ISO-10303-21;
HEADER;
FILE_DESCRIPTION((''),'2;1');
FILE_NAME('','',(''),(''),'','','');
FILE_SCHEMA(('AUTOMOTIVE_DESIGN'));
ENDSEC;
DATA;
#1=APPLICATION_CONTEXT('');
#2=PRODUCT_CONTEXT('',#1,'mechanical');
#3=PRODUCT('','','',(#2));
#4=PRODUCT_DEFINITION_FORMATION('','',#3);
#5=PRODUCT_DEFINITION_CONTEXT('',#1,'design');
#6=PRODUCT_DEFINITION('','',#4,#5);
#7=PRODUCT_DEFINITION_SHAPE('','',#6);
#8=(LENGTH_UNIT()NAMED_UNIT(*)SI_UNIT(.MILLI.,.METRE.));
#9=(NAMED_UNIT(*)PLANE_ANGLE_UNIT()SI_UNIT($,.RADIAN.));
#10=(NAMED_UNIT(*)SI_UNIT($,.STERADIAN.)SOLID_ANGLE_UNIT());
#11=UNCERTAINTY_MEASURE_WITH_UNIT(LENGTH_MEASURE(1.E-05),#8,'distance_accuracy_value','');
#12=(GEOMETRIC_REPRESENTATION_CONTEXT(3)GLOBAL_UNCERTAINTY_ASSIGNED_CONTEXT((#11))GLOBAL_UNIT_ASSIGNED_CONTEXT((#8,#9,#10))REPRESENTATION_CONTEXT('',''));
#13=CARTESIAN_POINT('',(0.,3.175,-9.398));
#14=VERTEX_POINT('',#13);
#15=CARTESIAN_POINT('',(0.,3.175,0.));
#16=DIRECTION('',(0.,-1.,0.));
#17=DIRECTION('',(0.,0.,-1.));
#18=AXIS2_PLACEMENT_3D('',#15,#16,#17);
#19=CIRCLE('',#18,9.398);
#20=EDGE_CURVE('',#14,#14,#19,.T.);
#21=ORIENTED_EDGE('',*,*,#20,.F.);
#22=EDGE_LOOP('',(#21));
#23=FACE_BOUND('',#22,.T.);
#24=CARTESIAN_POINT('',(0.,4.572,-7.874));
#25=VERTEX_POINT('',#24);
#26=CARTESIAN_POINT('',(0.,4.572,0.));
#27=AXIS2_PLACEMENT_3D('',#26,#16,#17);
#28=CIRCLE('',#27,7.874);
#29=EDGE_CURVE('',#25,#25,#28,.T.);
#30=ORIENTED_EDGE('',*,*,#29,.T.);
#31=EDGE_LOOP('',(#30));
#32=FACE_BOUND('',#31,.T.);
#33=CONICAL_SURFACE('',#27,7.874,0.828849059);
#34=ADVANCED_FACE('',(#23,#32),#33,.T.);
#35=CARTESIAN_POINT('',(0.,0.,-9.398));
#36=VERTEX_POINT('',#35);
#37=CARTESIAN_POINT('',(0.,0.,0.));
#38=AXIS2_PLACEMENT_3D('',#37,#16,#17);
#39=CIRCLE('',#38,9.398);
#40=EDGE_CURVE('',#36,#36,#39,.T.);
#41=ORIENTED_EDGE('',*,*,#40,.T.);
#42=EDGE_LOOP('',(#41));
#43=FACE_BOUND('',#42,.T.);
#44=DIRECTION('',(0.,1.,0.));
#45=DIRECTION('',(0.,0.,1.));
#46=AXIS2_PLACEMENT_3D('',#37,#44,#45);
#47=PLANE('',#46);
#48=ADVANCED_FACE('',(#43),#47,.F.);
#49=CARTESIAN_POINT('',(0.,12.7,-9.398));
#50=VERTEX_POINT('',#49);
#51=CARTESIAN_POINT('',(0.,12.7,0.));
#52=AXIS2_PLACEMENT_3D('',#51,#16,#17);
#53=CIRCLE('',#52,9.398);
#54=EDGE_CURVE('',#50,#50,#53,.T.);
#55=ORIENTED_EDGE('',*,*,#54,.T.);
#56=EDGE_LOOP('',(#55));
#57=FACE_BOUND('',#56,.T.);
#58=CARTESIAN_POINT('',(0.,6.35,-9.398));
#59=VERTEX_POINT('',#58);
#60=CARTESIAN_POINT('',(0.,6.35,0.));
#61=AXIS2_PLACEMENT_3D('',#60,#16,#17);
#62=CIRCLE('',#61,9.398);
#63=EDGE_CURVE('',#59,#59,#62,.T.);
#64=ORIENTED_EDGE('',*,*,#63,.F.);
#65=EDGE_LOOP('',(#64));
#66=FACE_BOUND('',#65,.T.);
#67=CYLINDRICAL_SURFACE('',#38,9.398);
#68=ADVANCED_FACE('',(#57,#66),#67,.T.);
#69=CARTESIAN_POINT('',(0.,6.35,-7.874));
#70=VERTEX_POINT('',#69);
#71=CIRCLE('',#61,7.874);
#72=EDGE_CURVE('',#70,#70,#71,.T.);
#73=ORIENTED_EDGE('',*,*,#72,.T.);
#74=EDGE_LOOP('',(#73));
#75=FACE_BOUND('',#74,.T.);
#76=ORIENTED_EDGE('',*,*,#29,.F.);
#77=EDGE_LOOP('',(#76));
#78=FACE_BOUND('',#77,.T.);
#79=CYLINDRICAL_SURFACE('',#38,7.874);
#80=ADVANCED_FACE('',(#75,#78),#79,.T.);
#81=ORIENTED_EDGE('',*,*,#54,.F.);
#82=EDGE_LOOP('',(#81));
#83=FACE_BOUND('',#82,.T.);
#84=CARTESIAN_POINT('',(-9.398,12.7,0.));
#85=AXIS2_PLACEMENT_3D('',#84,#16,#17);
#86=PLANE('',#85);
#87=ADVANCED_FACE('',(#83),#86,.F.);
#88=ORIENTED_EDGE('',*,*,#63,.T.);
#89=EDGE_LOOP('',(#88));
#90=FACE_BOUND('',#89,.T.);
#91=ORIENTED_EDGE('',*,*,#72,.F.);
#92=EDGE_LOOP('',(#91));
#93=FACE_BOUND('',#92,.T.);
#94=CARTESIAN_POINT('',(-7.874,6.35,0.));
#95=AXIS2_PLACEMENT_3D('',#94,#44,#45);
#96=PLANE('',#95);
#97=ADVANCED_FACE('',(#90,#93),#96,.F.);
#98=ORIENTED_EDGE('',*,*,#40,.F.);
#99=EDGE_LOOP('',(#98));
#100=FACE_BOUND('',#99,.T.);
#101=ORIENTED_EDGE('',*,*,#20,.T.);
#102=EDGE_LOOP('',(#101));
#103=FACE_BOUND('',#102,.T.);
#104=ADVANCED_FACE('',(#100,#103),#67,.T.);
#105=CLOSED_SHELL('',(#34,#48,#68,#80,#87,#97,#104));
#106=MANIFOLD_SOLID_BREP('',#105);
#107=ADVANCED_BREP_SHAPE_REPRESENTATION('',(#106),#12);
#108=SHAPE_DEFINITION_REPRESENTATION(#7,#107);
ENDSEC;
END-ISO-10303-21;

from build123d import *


with BuildPart() as part:
    # Sketch1 → Revolve1 (revolve)
    with BuildSketch(Plane.XY):
        Polygon((0, 0), (-9.398, 0), (-9.398, 3.175), (-7.874, 4.572), (-7.874, 6.35), (-9.398, 6.35), (-9.398, 12.7), (0, 12.7), align=None)
    revolve(axis=Axis((0, 0, 0), (0, 1, 0)))


solid = part.part
